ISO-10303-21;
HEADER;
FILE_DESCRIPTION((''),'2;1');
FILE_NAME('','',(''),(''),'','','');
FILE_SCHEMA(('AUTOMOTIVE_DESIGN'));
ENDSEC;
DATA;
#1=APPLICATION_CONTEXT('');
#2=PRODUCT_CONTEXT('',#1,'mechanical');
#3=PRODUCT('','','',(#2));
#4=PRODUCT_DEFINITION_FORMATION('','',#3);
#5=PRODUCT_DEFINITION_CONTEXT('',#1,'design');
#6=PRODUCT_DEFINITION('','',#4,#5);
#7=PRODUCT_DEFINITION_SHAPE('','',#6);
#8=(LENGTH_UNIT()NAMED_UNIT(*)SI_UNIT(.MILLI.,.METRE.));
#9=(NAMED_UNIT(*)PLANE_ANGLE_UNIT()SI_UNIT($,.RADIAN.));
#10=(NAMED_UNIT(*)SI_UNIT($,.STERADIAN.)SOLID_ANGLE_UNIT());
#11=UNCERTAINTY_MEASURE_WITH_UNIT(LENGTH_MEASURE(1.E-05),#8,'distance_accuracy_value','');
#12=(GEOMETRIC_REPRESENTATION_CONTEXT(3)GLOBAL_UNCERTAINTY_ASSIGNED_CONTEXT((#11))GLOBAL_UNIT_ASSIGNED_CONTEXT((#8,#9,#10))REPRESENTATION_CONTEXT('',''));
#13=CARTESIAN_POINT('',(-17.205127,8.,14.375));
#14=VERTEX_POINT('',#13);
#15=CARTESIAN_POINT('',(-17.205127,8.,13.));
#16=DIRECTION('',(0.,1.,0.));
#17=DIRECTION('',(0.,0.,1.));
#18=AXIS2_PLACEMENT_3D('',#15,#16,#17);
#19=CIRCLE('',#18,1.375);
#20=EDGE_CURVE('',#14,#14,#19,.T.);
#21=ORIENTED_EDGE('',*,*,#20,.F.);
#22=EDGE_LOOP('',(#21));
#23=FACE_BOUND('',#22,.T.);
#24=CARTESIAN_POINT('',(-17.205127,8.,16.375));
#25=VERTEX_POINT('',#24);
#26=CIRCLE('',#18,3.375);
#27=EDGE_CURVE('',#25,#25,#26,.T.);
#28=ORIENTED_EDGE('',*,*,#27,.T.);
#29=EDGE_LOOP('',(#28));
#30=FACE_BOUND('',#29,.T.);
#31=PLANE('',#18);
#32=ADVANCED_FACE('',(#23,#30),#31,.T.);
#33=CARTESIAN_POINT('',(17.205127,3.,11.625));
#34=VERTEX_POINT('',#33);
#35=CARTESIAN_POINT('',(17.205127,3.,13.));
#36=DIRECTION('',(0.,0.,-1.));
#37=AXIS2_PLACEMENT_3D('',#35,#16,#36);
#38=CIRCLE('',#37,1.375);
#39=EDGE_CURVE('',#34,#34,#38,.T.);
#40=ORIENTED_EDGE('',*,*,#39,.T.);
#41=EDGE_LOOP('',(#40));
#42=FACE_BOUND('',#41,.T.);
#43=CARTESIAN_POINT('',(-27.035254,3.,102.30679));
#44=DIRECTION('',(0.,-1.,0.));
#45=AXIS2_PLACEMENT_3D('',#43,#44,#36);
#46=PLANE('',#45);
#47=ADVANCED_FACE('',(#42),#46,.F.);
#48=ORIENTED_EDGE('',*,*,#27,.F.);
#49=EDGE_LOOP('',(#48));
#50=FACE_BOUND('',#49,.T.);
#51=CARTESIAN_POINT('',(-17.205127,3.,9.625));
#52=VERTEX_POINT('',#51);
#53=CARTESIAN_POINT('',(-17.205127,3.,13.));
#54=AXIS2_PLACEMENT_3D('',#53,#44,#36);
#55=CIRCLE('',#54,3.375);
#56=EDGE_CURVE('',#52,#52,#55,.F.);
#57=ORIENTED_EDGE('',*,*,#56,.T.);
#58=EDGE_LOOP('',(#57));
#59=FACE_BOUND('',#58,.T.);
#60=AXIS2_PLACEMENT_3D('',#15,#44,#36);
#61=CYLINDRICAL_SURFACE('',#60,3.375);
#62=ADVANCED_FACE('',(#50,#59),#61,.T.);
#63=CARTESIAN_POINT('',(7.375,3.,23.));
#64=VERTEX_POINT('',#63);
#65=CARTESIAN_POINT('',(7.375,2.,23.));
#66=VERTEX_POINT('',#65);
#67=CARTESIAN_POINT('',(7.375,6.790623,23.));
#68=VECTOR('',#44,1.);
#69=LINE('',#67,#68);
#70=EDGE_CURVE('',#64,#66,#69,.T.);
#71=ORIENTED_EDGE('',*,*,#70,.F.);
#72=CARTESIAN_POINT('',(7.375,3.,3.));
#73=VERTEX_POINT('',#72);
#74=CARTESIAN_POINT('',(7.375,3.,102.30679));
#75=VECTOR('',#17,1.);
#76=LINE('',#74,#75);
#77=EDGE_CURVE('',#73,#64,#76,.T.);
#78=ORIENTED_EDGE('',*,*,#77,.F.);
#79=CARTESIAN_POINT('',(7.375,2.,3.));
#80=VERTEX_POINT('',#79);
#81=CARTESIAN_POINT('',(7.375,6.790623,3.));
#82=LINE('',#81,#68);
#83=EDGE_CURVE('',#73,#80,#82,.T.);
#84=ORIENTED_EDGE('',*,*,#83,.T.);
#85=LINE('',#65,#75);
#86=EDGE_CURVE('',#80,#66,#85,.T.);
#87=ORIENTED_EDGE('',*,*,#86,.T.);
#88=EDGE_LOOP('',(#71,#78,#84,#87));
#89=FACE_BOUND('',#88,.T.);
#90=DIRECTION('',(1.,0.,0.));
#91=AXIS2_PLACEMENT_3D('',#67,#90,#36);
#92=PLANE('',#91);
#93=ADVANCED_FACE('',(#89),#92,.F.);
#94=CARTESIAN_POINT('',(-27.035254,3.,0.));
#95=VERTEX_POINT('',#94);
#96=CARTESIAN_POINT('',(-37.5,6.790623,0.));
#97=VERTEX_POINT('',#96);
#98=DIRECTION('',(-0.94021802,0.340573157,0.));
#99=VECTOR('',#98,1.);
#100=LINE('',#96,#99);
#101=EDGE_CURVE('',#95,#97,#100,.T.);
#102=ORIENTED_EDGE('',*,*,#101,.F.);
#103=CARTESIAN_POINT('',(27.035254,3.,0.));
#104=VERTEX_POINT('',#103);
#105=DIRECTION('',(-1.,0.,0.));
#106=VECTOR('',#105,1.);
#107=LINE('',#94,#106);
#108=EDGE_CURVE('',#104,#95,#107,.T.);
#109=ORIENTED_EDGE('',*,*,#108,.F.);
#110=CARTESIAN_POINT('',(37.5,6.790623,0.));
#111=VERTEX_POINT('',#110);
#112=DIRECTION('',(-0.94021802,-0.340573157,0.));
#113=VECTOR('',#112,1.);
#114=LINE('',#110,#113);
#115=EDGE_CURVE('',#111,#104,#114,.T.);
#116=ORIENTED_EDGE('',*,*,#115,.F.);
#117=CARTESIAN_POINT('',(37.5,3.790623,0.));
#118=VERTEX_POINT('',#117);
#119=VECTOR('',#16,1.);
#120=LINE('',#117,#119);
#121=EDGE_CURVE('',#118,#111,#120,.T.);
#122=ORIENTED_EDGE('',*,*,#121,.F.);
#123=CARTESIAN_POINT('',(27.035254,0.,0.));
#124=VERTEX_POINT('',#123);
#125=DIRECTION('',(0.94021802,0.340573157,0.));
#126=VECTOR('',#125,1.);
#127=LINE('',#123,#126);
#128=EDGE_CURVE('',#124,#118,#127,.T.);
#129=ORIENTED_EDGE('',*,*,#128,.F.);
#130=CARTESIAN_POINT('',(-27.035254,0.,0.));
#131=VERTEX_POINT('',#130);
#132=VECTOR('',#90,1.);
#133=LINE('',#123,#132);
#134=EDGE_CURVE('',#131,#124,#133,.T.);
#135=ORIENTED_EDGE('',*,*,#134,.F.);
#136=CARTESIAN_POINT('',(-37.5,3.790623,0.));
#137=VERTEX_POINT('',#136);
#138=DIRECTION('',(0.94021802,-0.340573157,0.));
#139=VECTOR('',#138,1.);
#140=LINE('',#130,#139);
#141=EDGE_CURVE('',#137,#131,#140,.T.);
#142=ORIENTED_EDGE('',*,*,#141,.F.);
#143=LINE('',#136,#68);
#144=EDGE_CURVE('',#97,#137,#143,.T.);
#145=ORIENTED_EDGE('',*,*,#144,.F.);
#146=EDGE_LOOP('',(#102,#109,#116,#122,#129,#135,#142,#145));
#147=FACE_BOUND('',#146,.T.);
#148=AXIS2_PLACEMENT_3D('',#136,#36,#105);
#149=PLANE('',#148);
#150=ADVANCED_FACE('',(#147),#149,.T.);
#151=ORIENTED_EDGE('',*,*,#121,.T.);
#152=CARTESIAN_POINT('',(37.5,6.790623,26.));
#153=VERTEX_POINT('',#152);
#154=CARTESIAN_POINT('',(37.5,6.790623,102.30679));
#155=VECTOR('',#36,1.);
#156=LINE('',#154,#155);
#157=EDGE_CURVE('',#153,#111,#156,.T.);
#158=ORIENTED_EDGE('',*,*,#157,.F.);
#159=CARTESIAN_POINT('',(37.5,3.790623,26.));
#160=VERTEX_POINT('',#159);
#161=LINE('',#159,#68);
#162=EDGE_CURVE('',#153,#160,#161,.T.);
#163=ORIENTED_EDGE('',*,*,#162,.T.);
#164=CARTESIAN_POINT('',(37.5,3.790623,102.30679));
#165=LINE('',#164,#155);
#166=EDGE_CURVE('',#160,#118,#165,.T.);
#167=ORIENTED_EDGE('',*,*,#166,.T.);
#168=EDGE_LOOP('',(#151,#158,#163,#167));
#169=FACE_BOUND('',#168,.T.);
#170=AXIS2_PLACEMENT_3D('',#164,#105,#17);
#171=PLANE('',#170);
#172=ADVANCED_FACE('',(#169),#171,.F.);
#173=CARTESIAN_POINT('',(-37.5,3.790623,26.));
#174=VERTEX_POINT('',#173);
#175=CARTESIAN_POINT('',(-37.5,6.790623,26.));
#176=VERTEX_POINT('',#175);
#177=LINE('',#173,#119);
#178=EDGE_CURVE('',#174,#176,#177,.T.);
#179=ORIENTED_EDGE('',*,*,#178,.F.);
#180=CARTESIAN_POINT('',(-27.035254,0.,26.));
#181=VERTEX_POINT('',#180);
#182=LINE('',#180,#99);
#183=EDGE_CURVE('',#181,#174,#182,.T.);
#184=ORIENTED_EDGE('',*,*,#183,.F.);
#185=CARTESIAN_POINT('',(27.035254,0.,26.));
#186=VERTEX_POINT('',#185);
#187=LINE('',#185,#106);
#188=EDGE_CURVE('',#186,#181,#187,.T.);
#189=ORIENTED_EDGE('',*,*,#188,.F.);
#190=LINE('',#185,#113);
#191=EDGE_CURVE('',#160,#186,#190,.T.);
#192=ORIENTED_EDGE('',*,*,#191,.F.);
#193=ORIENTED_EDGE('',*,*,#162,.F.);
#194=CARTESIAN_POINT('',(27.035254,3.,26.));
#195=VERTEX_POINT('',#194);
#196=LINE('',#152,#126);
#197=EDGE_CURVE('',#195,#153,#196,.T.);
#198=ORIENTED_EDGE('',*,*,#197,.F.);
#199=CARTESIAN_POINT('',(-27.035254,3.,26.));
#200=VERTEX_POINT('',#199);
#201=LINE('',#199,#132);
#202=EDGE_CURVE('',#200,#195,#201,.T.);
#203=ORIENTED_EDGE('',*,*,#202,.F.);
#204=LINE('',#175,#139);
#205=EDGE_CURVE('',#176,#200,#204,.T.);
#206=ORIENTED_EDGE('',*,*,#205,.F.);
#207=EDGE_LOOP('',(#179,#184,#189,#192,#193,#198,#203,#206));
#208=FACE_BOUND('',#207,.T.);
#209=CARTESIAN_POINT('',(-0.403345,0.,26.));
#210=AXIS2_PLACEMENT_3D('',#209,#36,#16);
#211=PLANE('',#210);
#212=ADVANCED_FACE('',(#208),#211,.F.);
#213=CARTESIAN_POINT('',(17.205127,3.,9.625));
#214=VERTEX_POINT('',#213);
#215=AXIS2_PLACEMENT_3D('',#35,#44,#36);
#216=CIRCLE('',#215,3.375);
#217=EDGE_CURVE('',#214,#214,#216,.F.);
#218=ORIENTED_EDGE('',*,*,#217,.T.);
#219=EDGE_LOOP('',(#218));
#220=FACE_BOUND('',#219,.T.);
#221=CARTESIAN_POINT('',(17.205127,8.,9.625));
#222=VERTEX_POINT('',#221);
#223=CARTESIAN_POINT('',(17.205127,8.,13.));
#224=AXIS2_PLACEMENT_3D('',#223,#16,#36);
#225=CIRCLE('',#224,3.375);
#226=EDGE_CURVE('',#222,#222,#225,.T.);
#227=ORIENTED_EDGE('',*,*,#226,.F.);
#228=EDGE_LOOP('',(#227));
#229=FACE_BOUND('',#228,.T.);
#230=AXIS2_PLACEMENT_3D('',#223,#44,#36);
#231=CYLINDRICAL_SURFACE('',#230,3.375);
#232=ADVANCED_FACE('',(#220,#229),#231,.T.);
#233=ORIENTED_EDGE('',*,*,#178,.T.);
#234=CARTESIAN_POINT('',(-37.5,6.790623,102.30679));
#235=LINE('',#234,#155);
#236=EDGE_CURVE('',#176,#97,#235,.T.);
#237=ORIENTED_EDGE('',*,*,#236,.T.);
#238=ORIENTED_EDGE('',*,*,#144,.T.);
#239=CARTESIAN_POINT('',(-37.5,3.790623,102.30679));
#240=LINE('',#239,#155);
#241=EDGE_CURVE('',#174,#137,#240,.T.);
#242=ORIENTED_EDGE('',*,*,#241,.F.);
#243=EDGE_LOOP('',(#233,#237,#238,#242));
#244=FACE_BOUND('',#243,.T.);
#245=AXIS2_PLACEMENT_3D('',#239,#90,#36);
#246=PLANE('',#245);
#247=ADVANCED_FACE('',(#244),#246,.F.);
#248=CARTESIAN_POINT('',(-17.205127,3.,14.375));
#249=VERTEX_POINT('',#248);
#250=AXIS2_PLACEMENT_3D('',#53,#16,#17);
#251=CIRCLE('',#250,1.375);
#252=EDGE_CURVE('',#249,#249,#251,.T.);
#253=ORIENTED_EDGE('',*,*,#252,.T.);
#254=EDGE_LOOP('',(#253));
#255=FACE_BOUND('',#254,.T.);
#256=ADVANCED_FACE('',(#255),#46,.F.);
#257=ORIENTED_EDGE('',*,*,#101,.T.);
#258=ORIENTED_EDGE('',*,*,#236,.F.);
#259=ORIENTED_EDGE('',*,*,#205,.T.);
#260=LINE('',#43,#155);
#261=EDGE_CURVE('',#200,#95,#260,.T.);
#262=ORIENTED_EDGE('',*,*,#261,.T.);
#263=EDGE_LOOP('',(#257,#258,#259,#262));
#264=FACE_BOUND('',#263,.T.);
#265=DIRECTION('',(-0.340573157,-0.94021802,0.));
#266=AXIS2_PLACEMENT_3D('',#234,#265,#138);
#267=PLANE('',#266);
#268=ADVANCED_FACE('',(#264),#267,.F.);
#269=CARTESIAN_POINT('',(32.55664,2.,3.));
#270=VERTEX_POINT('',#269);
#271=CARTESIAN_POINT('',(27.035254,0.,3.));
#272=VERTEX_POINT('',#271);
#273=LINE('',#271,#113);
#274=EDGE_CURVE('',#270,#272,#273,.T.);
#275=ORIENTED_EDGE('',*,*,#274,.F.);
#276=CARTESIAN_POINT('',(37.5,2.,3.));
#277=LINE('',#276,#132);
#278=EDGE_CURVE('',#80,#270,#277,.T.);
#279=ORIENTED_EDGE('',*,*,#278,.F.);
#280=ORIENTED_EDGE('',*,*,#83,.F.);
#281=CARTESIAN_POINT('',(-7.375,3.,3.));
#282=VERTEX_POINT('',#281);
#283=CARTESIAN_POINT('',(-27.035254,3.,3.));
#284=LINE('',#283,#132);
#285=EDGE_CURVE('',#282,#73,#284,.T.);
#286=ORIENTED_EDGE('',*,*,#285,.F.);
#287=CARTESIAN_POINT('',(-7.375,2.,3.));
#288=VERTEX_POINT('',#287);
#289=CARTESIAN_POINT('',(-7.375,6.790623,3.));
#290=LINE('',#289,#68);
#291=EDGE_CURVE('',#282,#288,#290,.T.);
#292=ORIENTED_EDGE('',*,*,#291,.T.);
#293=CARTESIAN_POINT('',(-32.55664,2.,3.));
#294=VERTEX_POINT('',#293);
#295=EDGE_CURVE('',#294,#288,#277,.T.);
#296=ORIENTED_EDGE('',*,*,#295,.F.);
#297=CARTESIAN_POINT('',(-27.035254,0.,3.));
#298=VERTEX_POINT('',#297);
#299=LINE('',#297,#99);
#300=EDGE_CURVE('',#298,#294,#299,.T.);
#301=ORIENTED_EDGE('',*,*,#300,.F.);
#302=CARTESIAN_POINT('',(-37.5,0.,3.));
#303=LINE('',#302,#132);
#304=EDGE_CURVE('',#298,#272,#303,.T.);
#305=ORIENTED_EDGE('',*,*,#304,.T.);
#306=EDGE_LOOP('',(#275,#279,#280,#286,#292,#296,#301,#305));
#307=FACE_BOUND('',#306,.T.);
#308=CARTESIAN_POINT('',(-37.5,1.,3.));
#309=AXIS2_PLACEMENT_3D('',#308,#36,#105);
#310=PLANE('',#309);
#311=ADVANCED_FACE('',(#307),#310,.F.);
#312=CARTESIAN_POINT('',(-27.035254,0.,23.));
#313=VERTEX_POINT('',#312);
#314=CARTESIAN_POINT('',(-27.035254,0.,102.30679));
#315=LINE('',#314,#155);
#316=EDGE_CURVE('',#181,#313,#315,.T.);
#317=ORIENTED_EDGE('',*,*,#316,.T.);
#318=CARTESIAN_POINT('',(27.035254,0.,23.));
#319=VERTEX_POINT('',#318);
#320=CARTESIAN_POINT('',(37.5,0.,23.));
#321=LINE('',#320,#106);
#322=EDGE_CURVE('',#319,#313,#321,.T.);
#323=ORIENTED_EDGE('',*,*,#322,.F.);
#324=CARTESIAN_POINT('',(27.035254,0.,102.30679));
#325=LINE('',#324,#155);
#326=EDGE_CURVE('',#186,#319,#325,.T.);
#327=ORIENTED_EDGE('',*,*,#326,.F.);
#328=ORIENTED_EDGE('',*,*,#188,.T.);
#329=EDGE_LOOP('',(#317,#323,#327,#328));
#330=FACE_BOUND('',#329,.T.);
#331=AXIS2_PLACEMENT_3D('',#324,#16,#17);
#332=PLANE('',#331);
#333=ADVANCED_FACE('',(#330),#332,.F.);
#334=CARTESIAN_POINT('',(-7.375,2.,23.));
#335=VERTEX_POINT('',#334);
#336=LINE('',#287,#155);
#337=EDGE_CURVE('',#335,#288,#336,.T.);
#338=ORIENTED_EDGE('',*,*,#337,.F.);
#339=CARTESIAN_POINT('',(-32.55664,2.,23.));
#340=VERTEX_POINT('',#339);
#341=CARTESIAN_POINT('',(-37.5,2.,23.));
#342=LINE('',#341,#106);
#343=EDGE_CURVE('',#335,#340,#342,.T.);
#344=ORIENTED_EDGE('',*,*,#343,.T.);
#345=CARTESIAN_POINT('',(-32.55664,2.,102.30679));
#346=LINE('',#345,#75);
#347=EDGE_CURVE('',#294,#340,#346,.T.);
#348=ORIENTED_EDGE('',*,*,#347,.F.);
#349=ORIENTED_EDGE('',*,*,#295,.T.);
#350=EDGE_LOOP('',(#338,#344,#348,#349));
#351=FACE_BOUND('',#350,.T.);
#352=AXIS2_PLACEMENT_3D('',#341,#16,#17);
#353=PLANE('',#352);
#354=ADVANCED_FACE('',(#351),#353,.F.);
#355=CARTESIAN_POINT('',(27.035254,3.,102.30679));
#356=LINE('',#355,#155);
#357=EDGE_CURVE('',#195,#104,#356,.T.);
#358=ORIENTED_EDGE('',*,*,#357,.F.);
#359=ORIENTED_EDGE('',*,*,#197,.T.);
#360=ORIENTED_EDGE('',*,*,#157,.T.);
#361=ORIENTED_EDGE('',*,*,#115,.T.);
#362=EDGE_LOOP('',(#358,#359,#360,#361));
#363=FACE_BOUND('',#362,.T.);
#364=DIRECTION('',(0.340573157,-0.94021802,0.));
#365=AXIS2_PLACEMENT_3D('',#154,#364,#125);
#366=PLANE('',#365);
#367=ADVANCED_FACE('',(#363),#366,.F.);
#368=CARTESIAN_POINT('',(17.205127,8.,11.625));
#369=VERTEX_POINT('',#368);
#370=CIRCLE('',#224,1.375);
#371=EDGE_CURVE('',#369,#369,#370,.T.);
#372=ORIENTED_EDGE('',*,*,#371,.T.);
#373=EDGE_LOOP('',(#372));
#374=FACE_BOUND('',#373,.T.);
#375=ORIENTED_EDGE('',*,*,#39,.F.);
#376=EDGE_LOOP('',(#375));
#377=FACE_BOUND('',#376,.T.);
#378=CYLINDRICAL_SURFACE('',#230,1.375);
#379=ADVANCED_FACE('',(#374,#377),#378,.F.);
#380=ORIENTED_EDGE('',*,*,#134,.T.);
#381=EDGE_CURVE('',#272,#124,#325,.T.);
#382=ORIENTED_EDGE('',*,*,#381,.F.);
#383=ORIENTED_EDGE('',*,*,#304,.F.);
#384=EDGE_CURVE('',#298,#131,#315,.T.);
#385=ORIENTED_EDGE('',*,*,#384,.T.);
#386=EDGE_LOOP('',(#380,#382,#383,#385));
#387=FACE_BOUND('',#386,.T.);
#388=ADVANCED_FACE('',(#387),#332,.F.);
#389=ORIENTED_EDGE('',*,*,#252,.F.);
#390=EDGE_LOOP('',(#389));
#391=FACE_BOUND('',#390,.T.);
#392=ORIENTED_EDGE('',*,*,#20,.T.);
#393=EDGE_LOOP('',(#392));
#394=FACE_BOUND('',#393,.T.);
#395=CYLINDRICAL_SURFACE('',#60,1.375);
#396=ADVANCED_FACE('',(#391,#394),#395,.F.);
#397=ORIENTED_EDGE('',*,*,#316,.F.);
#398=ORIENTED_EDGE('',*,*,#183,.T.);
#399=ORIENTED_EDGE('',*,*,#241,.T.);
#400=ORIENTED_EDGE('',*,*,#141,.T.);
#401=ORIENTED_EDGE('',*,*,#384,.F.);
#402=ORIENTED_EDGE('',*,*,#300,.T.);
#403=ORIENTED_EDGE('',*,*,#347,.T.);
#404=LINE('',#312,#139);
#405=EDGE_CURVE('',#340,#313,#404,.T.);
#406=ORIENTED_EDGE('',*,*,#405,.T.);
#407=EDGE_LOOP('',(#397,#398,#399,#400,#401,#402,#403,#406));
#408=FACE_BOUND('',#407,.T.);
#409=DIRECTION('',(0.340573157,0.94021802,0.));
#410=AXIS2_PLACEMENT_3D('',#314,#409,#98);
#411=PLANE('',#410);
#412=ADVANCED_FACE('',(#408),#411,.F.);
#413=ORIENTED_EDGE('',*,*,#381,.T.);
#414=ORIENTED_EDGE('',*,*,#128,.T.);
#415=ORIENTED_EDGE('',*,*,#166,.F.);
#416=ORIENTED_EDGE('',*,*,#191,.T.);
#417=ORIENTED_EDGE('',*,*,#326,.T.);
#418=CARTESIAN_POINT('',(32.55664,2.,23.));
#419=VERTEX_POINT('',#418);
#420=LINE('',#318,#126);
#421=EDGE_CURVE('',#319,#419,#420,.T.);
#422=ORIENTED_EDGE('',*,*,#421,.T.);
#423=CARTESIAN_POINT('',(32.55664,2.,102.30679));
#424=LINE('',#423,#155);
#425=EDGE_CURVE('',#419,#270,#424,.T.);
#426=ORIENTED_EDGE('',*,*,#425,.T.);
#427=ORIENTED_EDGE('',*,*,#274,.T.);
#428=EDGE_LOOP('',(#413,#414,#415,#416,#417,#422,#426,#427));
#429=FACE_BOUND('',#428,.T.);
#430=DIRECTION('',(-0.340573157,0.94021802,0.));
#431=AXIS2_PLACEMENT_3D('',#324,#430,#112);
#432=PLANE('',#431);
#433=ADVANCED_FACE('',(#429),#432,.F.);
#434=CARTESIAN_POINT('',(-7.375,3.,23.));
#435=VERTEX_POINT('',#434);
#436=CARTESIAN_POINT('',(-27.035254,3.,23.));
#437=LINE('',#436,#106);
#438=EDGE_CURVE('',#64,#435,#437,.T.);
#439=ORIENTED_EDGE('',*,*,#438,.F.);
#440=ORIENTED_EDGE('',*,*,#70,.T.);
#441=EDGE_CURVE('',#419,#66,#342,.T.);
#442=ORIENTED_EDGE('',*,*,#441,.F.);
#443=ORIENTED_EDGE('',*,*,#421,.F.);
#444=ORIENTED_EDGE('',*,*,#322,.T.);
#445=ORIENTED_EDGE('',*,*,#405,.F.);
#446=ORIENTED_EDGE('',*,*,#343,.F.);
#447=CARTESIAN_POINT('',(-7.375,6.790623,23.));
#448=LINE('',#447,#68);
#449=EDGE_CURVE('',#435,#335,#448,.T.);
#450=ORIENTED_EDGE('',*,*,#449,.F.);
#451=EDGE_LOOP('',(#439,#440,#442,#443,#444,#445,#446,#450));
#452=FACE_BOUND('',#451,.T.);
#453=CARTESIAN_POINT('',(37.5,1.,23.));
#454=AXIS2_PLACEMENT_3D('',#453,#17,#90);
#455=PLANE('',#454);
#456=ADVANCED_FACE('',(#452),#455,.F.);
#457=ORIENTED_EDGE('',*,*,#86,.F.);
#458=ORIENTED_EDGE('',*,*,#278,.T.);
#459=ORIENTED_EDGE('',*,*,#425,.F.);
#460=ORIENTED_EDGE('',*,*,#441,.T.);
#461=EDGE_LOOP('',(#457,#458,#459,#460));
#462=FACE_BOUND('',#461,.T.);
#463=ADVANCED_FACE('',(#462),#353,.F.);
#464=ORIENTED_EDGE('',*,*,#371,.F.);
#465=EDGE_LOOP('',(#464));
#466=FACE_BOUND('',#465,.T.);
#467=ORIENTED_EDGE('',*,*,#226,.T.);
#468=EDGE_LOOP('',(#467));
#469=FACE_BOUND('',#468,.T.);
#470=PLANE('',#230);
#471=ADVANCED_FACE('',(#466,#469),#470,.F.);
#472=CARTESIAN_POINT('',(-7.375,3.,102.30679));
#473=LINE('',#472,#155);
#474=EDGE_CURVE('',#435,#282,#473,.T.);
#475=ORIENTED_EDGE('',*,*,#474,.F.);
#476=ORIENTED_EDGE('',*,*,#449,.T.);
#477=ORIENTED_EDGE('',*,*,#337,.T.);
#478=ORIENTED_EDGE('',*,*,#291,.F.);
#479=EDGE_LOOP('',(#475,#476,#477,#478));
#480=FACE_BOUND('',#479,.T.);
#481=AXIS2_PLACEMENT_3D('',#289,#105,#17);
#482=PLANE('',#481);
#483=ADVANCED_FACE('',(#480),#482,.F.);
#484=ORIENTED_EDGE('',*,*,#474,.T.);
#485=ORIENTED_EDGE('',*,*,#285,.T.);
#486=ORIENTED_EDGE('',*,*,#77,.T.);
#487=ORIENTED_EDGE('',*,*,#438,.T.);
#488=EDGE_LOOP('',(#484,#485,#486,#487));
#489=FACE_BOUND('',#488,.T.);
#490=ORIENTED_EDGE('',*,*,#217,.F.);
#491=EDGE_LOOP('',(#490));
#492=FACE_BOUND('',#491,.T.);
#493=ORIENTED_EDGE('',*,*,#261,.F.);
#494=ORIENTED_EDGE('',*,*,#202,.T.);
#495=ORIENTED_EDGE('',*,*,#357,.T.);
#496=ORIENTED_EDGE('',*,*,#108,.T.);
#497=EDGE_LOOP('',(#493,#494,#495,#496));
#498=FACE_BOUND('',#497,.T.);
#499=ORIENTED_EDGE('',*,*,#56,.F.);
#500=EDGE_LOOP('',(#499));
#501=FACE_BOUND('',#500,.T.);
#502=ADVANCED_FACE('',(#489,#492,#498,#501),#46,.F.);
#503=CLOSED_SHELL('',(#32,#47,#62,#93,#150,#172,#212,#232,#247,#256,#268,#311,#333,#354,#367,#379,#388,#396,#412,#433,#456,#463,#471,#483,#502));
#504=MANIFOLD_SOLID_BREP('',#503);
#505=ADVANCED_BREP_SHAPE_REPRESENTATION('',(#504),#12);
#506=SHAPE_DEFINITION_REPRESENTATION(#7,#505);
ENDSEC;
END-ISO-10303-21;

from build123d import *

# Parameters (mm, degrees)
BOSS_EXTRUDE1_DEPTH = 26
SKETCH2_W           = 75
SKETCH2_H           = 20
CUT_EXTRUDE1_DEPTH  = 1
SKETCH4_W           = 75
SKETCH4_H           = 20
CUT_EXTRUDE2_DEPTH  = 1
SKETCH5_W           = 14.75
SKETCH5_H           = 20
CUT_EXTRUDE3_DEPTH  = 46.882459228
SKETCH6_R           = 3.375
SKETCH6_R_2         = 1.375
BOSS_EXTRUDE2_DEPTH = 5


with BuildPart() as part:
    # Sketch1 → Boss-Extrude1 (new body)
    with BuildSketch(Plane.XY):
        Polygon((27.035253752, 0), (-27.035253752, 0), (-37.5, 3.790622591), (-37.5, 6.790622591), (-27.035253752, 3), (27.035253752, 3), (37.5, 6.790622591), (37.5, 3.790622591), align=None)
    extrude(amount=BOSS_EXTRUDE1_DEPTH)

    # Sketch2 → Cut-Extrude1 (cut)
    with BuildSketch(Plane.XZ):
        with Locations((0, 13)):
            Rectangle(SKETCH2_W, SKETCH2_H)
    extrude(amount=-CUT_EXTRUDE1_DEPTH, mode=Mode.SUBTRACT)

    # Sketch4 → Cut-Extrude2 (cut)
    with BuildSketch(Plane.XZ.offset(-1)):
        with Locations((0, 13)):
            Rectangle(SKETCH4_W, SKETCH4_H)
    extrude(amount=-CUT_EXTRUDE2_DEPTH, mode=Mode.SUBTRACT)

    # Sketch5 → Cut-Extrude3 (cut, through all)
    with BuildSketch(Plane.XZ.offset(-2)):
        with Locations((0, 13)):
            Rectangle(SKETCH5_W, SKETCH5_H)
    extrude(amount=-CUT_EXTRUDE3_DEPTH, mode=Mode.SUBTRACT)

    # Sketch6 → Boss-Extrude2 (add)
    # profile 1 of 2: a face of its own
    with BuildSketch(Plane(origin=(0, 3, 0), x_dir=(1, 0, 0), z_dir=(0, 1, 0))):
        with Locations(Location((-17.205126876, -13, 0), (0, 0, 90))):
            Circle(SKETCH6_R)
        with Locations(Location((-17.205126876, -13, 0), (0, 0, 270))):
            Circle(SKETCH6_R_2, mode=Mode.SUBTRACT)
    # profile 2 of 2: a face of its own
    with BuildSketch(Plane(origin=(0, 3, 0), x_dir=(1, 0, 0), z_dir=(0, 1, 0))):
        with Locations(Location((17.205126876, -13, 0), (0, 0, 90))):
            Circle(SKETCH6_R)
        with Locations(Location((17.205126876, -13, 0), (0, 0, 90))):
            Circle(SKETCH6_R_2, mode=Mode.SUBTRACT)
    extrude(amount=BOSS_EXTRUDE2_DEPTH)


solid = part.part
